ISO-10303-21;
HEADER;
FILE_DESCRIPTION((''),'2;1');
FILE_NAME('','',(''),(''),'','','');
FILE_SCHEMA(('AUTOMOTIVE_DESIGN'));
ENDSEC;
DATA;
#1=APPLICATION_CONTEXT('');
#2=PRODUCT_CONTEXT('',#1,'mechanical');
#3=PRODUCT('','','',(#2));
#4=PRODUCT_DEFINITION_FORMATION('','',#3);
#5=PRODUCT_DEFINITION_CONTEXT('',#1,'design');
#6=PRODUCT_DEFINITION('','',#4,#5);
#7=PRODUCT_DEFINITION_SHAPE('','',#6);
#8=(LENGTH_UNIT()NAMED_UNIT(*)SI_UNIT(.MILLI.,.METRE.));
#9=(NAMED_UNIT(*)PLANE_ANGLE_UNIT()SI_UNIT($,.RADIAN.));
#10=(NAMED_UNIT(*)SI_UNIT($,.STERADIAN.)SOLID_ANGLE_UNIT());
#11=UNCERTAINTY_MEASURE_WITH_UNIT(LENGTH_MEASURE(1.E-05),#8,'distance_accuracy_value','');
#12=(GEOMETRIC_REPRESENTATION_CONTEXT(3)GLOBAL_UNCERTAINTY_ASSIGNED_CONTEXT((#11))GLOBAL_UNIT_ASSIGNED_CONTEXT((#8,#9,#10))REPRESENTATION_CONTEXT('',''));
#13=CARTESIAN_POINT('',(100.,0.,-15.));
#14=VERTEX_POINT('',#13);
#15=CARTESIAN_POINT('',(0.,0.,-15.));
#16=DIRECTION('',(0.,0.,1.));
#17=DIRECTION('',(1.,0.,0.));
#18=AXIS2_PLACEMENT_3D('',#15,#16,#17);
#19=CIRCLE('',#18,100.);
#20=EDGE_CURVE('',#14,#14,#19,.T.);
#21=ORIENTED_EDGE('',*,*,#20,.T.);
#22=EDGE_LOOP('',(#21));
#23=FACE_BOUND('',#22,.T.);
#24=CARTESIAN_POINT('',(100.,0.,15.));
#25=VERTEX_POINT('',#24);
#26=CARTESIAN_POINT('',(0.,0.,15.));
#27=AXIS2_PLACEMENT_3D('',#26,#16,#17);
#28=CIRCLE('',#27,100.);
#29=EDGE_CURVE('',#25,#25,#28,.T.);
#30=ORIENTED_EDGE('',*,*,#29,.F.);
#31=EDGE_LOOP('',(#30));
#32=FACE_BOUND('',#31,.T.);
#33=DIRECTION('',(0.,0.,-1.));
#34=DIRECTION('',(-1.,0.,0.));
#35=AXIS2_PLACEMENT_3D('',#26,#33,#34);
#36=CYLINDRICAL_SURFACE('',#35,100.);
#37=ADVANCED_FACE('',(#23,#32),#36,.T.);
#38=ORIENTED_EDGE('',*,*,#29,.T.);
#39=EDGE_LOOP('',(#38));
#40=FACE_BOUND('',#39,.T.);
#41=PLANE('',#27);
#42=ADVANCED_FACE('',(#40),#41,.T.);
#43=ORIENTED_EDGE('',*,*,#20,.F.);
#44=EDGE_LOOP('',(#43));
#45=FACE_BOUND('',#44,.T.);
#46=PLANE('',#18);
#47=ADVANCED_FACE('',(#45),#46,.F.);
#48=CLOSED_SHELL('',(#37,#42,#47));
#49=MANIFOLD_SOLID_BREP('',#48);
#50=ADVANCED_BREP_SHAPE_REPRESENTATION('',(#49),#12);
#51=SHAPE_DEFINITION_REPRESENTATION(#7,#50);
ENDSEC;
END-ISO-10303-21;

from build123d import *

# Parameters (mm, degrees)
SKETCH_1_R      = 100
EXTRUDE_2_DEPTH = 15


with BuildPart() as part:
    # 草圖1 → 填料-伸長2 (new, symmetric)
    with BuildSketch(Plane.XY):
        Circle(SKETCH_1_R)
    extrude(amount=EXTRUDE_2_DEPTH, both=True)


solid = part.part
